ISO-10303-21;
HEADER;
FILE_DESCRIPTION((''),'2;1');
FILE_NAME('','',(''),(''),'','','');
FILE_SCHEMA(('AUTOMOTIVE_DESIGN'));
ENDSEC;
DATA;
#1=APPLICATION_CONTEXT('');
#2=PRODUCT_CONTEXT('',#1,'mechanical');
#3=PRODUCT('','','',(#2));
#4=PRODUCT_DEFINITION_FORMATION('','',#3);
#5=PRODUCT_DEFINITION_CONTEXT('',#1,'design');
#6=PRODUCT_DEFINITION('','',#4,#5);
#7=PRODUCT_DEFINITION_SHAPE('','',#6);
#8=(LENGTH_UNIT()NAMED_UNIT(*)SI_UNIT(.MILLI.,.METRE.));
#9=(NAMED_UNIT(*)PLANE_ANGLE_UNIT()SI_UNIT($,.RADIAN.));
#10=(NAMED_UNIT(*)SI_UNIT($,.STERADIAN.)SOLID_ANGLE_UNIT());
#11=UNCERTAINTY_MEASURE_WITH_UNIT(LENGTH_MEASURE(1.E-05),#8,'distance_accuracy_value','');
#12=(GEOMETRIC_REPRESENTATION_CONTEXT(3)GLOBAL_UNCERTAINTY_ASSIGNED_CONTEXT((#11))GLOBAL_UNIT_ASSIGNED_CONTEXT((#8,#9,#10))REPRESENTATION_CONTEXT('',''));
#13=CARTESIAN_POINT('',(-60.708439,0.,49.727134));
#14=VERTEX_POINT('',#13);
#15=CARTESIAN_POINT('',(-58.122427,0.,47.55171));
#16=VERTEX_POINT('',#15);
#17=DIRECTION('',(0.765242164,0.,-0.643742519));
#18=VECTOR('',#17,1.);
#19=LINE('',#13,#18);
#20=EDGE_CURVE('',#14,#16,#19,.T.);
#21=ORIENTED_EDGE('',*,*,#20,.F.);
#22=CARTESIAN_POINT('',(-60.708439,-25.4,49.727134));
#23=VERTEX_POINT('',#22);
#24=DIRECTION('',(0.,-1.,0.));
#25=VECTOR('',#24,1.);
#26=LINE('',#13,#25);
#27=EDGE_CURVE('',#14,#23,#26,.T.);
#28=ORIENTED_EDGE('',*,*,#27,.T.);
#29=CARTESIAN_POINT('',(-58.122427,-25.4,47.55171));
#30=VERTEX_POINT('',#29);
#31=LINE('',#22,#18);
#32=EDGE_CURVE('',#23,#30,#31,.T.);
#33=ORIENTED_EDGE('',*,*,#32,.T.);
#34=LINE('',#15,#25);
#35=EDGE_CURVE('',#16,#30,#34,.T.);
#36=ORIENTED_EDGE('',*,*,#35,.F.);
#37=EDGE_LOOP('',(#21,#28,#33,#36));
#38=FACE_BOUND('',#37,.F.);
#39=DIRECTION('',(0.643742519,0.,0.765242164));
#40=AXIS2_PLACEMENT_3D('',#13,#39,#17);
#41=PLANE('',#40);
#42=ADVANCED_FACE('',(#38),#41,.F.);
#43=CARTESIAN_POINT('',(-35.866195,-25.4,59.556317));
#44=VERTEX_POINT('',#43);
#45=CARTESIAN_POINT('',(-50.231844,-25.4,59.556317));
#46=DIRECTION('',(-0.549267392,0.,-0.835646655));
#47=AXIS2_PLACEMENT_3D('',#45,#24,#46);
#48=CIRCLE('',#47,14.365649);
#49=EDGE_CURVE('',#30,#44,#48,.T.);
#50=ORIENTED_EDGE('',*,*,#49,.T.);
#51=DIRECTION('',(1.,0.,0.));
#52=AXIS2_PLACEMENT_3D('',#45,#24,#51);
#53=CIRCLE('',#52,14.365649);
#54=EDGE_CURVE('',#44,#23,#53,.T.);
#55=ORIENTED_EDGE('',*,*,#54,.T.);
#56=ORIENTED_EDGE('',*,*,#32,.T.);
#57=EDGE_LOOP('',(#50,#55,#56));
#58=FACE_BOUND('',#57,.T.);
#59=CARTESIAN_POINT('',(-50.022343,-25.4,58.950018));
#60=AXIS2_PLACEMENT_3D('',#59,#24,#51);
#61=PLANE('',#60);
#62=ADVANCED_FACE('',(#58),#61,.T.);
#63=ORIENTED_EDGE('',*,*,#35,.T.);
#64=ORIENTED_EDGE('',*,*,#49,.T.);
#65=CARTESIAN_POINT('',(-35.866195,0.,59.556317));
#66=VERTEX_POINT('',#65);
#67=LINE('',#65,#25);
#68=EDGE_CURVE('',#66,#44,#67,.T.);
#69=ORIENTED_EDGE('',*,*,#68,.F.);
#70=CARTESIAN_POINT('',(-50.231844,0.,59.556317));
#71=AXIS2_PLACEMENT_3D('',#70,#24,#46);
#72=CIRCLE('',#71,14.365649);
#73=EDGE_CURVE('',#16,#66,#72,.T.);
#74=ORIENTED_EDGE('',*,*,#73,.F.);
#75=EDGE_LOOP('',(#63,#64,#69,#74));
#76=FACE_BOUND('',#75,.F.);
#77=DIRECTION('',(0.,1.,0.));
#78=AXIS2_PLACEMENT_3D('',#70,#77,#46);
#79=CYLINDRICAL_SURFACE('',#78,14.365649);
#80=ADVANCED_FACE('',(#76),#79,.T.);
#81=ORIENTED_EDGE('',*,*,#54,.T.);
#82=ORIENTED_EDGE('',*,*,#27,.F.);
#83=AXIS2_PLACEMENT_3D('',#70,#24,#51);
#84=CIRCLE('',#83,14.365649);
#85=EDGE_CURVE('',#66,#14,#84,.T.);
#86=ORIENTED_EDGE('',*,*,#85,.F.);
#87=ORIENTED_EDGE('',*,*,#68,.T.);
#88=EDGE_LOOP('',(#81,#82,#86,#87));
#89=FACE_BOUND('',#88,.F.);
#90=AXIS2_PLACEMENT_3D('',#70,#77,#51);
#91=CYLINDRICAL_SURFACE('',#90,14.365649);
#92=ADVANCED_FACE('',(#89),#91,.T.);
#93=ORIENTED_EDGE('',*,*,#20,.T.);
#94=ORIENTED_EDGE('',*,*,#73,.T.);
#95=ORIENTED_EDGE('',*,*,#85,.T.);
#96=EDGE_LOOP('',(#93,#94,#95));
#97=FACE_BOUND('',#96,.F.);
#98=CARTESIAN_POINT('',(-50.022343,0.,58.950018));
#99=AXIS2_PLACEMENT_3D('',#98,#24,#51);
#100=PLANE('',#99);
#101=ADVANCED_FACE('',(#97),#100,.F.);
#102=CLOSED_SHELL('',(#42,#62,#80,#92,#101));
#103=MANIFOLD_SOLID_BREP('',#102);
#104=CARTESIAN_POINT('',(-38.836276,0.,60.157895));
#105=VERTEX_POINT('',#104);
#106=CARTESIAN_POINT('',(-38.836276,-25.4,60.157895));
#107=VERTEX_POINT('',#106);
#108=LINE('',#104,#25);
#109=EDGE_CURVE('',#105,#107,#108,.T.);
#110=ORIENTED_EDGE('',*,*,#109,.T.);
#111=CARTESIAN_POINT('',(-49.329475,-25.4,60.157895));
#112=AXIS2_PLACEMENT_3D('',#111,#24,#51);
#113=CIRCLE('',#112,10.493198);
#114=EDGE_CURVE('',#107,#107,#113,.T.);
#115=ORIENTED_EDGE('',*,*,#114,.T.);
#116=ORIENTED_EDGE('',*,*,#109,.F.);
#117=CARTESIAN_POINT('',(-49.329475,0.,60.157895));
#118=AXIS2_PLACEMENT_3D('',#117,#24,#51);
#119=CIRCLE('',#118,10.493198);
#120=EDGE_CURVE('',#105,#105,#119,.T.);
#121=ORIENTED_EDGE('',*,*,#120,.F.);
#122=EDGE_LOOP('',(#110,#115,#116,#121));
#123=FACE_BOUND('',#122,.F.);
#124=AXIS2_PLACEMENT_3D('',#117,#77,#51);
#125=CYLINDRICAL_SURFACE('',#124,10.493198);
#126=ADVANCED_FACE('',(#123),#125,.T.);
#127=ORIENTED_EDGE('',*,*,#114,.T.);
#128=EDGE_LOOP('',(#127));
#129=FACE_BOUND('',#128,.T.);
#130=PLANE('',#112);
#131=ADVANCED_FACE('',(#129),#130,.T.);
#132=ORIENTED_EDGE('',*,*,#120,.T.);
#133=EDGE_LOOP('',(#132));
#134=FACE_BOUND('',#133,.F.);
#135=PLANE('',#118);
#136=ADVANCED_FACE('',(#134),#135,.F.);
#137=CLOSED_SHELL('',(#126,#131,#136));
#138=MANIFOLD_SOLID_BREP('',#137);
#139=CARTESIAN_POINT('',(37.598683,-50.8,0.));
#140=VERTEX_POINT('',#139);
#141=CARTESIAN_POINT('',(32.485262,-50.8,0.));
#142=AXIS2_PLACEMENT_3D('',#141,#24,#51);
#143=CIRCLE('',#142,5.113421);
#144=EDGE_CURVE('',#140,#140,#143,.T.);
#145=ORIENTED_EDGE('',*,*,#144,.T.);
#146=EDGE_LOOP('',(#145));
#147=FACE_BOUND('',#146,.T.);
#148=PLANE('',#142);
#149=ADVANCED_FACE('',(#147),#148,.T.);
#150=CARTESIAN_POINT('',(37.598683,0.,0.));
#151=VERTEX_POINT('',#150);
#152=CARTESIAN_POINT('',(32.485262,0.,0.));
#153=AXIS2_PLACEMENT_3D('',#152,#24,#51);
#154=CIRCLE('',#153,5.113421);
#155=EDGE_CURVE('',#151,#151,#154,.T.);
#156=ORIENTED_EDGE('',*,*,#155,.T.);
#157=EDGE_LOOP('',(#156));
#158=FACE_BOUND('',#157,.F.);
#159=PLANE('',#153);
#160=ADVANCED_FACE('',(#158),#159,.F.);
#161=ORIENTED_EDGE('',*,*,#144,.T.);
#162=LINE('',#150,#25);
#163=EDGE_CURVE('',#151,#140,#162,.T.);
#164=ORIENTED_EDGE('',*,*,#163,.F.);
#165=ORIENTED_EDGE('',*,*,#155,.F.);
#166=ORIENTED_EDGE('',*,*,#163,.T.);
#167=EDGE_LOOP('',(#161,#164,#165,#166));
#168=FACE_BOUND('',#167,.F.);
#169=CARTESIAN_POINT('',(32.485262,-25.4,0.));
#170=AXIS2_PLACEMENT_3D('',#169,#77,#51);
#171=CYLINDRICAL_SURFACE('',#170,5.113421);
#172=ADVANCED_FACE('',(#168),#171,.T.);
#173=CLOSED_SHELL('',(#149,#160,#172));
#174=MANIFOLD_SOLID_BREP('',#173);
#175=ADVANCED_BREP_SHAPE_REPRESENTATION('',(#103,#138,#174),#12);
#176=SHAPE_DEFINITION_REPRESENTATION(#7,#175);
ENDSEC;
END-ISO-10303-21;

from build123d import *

# Parameters (mm, degrees)
F1_R     = 5.1134214737
F2_DEPTH = 25.4
F1_R_2   = 10.493198269
F3_DEPTH = 25.4


with BuildPart() as f2:
    # F1 (on face) → F2 (new body)
    with BuildSketch(Plane.XZ):
        with Locations((32.4852615595, 0)):
            Circle(F1_R)
    extrude(amount=F2_DEPTH)

    # F3 (add): faces of the model
    f3_faces = [f2.faces().sort_by_distance(p)[0] for p in [
        (32.4852615595, -25.4, 0),
        (32.4852615595, 0, 0),
    ]]
    extrude(f3_faces, amount=F3_DEPTH, dir=(0, -1, 0))


with BuildPart() as f2b:
    # F1 (on face) → F2, piece 2 (new body)
    with BuildSketch(Plane.XZ):
        with Locations((-49.3294745684, 60.1578950882)):
            Circle(F1_R_2)
    extrude(amount=F2_DEPTH)


with BuildPart() as f2c:
    # F0 (on Front) → F2, piece 3 (new body)
    with BuildSketch(Plane.XZ):
        with BuildLine():
            Line((-60.7084391338, 49.72713364), (-58.122426899, 47.5517098229))
            ThreePointArc((-58.122426899, 47.5517098229), (-43.4120738376, 46.9126378705), (-35.8661949138, 59.5563165843))
            ThreePointArc((-35.8661949138, 59.5563165843), (-55.517144105, 72.9143659857), (-60.7084391338, 49.72713364))
        make_face()
    extrude(amount=F2_DEPTH)


solid = Compound([f2.part, f2b.part, f2c.part])
